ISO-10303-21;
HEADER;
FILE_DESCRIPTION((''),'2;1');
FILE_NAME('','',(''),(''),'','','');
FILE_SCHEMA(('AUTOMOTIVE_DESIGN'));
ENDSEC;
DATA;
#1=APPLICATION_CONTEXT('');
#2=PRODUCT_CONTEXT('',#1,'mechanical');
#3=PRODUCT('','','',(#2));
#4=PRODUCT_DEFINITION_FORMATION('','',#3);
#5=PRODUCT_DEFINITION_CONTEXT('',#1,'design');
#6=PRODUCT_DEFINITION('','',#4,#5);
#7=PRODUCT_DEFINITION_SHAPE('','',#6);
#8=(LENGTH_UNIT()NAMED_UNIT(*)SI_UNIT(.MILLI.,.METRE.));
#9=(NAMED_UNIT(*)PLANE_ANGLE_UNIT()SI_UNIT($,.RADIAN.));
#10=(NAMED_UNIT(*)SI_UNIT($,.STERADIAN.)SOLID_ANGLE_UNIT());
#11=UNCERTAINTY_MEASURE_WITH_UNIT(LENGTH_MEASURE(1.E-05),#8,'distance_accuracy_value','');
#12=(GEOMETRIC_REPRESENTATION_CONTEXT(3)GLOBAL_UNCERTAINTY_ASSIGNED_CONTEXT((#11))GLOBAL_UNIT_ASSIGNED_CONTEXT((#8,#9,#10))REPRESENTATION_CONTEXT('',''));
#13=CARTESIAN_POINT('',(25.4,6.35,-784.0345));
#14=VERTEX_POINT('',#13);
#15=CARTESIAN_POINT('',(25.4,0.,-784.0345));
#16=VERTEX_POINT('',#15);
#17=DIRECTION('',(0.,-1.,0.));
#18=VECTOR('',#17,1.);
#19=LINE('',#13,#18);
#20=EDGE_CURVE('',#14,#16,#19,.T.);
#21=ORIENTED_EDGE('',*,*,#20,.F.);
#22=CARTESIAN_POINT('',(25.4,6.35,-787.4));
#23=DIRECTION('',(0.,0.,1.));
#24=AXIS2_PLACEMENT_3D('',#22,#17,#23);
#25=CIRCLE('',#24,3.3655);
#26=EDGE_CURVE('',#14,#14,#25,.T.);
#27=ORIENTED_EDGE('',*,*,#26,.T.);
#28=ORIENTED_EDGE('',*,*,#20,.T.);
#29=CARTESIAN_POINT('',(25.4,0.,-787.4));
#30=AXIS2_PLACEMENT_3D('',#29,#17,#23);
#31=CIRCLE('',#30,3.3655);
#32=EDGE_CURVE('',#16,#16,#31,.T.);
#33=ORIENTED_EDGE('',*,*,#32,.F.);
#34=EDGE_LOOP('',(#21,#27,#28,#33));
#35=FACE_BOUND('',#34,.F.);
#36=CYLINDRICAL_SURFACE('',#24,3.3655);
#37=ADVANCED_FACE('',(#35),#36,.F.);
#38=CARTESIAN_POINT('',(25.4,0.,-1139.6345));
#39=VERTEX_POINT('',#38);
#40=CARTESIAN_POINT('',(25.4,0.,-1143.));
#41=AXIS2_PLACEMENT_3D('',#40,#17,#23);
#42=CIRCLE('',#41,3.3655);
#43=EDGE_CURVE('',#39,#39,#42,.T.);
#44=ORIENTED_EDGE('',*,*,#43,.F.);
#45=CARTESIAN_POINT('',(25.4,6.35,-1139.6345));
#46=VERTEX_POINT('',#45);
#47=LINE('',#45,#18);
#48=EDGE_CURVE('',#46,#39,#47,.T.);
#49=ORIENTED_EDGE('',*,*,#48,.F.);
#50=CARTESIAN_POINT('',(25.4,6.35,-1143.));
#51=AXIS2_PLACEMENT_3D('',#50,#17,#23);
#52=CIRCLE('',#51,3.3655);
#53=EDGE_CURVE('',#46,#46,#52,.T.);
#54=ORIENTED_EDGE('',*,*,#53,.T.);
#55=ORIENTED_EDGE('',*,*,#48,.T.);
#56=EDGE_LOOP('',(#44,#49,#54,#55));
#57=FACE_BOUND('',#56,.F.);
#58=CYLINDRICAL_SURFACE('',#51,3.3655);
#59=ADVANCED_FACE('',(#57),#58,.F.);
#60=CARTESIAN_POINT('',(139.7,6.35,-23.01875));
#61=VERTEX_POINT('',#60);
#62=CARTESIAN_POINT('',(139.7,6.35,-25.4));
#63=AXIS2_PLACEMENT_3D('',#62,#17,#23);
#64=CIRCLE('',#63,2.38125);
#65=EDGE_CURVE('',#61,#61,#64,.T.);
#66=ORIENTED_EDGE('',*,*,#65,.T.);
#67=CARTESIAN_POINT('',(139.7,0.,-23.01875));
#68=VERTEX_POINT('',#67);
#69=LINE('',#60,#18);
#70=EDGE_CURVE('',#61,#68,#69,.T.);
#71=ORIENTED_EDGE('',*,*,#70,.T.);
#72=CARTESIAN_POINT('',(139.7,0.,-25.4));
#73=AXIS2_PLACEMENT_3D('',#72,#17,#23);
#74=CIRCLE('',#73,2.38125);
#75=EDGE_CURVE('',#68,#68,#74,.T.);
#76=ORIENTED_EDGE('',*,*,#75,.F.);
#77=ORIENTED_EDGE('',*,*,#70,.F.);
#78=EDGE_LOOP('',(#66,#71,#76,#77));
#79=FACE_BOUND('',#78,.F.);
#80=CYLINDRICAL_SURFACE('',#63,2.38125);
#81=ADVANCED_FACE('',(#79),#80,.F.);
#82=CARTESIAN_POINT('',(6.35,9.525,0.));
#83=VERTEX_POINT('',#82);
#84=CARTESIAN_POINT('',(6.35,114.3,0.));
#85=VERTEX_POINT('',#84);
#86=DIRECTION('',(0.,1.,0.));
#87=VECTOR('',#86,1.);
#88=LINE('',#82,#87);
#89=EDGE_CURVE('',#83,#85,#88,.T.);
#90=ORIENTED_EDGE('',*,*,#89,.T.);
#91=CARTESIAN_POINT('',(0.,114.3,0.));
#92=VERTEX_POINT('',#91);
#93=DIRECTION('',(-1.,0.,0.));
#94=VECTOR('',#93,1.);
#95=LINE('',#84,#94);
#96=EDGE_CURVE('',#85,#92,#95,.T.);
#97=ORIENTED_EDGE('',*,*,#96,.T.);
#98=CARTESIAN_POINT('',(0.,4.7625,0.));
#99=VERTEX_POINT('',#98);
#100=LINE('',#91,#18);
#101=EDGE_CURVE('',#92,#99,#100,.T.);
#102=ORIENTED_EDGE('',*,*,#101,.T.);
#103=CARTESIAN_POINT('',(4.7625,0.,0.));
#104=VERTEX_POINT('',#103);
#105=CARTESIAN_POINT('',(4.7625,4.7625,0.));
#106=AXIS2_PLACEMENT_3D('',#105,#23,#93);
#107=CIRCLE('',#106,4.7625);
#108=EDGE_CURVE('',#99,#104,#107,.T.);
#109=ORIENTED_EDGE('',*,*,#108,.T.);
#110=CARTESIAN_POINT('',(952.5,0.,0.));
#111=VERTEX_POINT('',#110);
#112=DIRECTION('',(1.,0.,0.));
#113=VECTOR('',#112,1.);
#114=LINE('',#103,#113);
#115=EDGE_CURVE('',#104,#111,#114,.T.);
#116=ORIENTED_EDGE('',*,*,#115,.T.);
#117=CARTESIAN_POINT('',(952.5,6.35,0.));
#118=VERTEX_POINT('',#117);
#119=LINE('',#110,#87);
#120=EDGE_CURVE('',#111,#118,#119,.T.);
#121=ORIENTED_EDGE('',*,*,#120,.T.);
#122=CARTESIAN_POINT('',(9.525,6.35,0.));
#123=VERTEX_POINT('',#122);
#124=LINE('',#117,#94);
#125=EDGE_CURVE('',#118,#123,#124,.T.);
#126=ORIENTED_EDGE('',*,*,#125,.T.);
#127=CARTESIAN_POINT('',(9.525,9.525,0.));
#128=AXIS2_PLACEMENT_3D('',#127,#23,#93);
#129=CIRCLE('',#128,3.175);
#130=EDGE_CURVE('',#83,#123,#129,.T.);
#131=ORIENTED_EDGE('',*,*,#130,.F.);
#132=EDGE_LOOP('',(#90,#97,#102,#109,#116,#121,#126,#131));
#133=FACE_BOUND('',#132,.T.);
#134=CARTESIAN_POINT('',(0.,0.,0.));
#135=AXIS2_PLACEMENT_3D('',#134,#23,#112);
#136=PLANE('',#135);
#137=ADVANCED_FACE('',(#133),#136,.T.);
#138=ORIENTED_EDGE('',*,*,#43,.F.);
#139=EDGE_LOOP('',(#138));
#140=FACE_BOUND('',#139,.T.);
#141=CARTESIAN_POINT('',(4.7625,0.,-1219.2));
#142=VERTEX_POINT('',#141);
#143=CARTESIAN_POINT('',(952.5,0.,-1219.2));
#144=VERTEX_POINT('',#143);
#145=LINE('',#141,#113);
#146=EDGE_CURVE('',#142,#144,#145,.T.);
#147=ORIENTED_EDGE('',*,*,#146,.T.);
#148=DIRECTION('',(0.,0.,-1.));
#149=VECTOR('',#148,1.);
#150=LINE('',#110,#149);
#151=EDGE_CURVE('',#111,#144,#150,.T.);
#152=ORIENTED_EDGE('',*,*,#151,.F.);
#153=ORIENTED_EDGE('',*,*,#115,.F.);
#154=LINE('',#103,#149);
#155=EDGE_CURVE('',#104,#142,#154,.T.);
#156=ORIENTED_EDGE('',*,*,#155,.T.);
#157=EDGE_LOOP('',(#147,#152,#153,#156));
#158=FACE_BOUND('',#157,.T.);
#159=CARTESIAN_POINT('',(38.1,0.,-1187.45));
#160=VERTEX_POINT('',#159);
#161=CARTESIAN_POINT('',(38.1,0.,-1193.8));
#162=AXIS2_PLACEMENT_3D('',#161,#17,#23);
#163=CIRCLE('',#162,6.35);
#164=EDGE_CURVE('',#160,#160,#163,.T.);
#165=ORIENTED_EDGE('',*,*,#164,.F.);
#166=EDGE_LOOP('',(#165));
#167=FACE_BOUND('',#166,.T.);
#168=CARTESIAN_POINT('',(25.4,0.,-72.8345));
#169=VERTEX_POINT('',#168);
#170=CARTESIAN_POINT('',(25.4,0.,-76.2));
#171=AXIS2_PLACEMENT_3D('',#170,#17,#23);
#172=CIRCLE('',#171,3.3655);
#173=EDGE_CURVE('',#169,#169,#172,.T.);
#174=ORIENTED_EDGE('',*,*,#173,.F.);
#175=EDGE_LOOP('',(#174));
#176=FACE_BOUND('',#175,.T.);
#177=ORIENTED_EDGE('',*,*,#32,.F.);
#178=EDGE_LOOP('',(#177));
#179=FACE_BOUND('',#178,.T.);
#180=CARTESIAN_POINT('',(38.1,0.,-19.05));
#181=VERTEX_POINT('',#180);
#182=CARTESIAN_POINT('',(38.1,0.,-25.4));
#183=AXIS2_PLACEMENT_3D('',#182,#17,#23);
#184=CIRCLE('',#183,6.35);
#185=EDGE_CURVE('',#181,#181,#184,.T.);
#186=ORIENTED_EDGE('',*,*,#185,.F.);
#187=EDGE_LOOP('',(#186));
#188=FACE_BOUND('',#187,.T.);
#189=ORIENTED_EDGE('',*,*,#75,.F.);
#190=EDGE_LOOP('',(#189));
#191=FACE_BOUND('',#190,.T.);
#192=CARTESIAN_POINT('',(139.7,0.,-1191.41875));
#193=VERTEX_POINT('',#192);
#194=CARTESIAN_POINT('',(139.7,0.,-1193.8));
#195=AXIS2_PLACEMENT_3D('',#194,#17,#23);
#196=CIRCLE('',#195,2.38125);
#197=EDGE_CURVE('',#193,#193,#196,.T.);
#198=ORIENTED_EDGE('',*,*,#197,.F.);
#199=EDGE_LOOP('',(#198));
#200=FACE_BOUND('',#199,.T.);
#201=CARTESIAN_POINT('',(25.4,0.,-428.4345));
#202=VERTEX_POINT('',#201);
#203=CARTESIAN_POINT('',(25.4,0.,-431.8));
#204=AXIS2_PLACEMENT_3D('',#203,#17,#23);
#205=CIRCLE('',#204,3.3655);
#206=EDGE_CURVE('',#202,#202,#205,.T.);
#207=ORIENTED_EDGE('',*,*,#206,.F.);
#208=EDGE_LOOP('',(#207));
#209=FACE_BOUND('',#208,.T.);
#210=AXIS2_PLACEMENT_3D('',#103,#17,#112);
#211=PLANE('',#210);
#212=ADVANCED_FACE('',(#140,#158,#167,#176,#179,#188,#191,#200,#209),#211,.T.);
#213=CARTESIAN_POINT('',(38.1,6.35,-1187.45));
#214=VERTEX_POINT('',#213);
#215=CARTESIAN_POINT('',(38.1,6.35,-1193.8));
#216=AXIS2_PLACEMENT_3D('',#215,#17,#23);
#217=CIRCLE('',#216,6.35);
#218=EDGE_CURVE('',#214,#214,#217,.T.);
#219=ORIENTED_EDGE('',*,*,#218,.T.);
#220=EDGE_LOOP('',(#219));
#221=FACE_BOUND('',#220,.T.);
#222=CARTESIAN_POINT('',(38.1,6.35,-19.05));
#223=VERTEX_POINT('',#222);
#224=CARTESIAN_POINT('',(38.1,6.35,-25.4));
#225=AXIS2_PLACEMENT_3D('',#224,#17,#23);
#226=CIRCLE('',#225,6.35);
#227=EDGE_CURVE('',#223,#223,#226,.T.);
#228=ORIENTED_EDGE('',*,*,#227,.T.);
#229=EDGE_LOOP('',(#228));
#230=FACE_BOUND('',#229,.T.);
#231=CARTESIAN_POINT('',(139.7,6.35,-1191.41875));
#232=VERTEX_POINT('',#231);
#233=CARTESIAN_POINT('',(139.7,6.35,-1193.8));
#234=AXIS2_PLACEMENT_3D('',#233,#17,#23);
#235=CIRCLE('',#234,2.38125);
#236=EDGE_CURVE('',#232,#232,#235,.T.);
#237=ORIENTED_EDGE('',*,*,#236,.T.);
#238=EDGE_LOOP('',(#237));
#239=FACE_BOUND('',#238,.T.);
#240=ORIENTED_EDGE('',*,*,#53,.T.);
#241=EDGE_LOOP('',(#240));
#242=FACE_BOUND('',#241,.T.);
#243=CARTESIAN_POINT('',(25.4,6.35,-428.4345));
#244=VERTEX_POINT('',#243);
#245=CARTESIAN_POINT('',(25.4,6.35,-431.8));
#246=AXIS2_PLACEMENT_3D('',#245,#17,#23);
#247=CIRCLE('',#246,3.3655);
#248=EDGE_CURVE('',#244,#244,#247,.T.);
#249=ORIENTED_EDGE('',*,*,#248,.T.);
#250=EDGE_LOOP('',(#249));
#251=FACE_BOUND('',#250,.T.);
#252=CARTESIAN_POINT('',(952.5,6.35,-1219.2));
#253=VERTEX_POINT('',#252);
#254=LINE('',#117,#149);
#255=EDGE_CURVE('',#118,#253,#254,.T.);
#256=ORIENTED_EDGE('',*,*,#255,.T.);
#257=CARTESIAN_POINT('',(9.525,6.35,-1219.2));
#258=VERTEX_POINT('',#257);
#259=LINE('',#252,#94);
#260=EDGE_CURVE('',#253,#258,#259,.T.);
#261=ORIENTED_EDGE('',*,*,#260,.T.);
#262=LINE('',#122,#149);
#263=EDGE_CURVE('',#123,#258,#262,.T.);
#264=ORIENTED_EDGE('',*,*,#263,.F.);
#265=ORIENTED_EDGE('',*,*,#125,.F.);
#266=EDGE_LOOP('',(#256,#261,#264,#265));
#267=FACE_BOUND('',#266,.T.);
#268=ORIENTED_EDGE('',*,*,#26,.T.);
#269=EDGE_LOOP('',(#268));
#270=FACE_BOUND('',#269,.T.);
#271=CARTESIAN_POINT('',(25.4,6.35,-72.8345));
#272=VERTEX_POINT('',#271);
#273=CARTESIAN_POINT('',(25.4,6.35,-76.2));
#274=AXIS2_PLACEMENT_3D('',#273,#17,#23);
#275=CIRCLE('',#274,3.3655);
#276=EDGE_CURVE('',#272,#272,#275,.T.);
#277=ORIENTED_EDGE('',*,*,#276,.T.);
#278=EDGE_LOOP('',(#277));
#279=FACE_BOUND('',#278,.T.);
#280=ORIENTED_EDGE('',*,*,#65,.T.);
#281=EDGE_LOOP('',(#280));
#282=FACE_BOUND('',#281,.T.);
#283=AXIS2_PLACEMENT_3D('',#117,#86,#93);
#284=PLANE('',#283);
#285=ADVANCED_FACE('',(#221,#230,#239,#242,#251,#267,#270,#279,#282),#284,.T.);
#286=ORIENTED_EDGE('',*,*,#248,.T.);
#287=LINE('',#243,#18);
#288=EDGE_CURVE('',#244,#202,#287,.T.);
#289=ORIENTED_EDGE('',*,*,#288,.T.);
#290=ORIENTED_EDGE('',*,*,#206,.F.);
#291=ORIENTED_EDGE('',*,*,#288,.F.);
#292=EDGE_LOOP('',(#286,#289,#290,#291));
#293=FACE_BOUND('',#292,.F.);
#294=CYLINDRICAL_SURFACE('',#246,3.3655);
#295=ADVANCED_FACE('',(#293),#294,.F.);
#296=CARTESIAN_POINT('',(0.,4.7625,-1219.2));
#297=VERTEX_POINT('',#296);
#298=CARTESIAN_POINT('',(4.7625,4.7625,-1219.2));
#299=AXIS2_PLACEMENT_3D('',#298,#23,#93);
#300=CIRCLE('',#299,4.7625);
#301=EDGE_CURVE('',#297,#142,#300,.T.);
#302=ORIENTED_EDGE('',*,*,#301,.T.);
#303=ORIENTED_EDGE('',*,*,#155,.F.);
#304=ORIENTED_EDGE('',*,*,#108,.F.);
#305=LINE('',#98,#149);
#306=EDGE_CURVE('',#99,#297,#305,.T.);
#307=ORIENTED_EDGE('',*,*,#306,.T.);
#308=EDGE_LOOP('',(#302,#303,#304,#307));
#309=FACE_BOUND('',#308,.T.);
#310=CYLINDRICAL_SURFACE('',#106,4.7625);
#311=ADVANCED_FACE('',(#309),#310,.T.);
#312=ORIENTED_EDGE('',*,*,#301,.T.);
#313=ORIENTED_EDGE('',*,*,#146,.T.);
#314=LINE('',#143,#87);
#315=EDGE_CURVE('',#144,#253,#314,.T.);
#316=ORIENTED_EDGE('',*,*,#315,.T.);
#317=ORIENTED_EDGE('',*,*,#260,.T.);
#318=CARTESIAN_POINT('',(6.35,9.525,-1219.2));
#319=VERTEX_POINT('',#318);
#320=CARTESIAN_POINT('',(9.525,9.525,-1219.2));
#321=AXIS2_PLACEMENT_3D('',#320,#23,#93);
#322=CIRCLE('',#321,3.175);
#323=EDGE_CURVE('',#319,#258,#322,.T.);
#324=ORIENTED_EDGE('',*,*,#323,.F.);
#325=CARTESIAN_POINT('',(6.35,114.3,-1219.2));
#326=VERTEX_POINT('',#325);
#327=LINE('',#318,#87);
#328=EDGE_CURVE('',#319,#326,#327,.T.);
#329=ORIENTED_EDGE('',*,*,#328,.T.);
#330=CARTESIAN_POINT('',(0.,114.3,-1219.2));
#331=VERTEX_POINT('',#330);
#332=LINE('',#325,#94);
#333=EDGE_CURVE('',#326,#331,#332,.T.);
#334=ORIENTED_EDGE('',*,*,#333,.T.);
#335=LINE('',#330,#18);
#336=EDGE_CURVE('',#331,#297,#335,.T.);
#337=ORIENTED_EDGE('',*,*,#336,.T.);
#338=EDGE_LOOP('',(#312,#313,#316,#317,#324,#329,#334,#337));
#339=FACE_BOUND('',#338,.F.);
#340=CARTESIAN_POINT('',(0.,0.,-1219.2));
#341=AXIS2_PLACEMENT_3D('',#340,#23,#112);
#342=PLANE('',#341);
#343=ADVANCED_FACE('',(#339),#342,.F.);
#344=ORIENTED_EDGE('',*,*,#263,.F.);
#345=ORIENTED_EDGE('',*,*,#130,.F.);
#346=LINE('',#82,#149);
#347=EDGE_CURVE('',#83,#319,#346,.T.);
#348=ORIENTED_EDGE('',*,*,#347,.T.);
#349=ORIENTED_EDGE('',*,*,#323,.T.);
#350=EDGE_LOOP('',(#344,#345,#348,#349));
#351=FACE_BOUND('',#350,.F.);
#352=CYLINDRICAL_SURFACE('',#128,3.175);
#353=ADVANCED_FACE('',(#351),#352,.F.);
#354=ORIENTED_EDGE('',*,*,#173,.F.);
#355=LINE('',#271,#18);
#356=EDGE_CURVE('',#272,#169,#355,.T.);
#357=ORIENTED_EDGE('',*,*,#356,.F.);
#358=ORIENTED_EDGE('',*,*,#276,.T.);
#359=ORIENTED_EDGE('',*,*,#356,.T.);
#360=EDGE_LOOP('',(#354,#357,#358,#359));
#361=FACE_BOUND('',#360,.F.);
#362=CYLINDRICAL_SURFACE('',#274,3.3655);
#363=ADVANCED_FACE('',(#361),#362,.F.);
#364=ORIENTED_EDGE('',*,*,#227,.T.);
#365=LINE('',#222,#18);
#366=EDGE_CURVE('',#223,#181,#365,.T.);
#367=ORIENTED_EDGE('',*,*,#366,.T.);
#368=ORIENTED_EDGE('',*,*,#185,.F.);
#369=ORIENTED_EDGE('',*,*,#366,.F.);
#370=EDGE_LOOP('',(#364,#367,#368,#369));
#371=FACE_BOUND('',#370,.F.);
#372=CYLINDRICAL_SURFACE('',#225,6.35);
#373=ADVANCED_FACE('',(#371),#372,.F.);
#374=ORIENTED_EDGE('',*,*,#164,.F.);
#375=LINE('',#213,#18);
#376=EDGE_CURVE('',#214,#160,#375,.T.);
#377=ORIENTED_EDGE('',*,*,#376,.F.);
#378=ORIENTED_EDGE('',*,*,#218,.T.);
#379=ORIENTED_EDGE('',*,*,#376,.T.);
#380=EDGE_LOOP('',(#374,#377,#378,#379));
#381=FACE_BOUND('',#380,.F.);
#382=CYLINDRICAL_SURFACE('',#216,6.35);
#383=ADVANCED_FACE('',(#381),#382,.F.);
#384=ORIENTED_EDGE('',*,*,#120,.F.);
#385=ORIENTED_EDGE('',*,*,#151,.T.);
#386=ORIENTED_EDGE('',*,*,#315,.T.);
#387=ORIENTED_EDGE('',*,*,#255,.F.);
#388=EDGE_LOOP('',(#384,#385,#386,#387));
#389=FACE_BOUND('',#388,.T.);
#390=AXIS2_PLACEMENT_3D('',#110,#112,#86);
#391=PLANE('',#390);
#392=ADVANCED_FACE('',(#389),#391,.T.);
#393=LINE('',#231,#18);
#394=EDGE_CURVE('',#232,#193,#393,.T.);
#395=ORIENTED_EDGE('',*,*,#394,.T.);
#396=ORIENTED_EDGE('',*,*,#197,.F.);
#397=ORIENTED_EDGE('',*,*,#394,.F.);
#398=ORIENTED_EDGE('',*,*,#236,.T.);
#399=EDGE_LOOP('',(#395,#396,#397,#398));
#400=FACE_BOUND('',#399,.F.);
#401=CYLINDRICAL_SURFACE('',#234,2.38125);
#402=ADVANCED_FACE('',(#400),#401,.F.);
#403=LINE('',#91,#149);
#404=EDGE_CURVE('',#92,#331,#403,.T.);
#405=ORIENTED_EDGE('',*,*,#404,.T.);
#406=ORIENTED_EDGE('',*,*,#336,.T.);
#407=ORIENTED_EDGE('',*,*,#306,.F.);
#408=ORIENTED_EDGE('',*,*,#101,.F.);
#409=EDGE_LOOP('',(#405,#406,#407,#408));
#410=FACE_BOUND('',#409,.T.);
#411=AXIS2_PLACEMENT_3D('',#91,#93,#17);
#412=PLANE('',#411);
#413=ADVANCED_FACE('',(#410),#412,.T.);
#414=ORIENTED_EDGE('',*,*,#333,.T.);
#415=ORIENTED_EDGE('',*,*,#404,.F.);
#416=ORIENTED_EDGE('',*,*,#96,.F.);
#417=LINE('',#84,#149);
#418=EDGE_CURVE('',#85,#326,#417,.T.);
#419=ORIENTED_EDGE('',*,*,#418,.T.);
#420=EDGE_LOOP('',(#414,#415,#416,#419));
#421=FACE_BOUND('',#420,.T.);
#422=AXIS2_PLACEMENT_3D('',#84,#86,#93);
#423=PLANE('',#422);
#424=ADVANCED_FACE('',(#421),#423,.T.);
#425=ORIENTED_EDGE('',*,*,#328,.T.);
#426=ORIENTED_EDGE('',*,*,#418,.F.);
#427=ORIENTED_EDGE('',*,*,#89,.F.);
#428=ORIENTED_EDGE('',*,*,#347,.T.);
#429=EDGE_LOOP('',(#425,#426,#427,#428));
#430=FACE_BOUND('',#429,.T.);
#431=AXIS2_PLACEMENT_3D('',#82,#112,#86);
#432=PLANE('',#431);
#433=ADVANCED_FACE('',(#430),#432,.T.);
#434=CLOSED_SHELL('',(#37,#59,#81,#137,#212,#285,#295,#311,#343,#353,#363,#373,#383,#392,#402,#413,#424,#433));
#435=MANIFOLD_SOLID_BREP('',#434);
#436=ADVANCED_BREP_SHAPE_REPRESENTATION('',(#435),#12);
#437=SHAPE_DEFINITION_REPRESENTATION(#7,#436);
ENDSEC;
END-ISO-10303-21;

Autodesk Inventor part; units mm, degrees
ref_plane "YZ Plane" through (0, 0, 0) normal (1, 0, 0) x (0, 1, 0)
ref_plane "XZ Plane" through (0, 0, 0) normal (0, 1, 0) x (-1, 0, 0)
ref_plane "XY Plane" through (0, 0, 0) normal (0, 0, 1) x (1, 0, 0)
sketch "Sketch1" plane through (0, 0, 0) normal (0, 0, 1) x (1, 0, 0)
  line L0 (0, 114.3) -> (0, 4.7625)
  line L1 (4.7625, 0) -> (952.5, 0)
  line L2 (952.5, 0) -> (952.5, 6.35)
  line L3 (952.5, 6.35) -> (9.525, 6.35)
  line L4 (6.35, 9.525) -> (6.35, 114.3)
  line L5 (6.35, 114.3) -> (0, 114.3)
  arc A0 (6.35, 9.525) -> (9.525, 6.35) centre (9.525, 9.525) ccw
  arc A1 (0, 4.7625) -> (4.7625, 0) centre (4.7625, 4.7625) ccw
  point P0 (0, 0)
  dimension "d0" = 114.3
  dimension "d1" = 6.35
  dimension "d2" = 6.35
  dimension "d3" = 952.5
  dimension "d4" = 3.175
  dimension "d5" = 4.7625
extrude "Extrusion1" add sketch "Sketch1" against normal blind 1219.2
hole "Hole1" at (25.4, 6.35, -76.2) direction (0, -1, 0) diameter 6.731 end through all
pattern_linear "Rectangular Pattern1" count 4 spacing 355.6 along (0, 0, -1) of "Hole1"
hole "Hole2" at (38.1, 6.35, -25.4) direction (0, -1, 0) diameter 12.7 depth 25.4 tip angle 118
pattern_linear "Rectangular Pattern2" count 2 spacing 1168.4 along (0, 0, -1) of "Hole2"
hole "Hole3" at (139.7, 6.35, -25.4) direction (0, -1, 0) diameter 4.7625 depth 25.4 tip angle 118
pattern_linear "Rectangular Pattern3" count 2 spacing 1168.4 along (0, 0, -1) of "Hole3"
properties part number "GE-12062"
